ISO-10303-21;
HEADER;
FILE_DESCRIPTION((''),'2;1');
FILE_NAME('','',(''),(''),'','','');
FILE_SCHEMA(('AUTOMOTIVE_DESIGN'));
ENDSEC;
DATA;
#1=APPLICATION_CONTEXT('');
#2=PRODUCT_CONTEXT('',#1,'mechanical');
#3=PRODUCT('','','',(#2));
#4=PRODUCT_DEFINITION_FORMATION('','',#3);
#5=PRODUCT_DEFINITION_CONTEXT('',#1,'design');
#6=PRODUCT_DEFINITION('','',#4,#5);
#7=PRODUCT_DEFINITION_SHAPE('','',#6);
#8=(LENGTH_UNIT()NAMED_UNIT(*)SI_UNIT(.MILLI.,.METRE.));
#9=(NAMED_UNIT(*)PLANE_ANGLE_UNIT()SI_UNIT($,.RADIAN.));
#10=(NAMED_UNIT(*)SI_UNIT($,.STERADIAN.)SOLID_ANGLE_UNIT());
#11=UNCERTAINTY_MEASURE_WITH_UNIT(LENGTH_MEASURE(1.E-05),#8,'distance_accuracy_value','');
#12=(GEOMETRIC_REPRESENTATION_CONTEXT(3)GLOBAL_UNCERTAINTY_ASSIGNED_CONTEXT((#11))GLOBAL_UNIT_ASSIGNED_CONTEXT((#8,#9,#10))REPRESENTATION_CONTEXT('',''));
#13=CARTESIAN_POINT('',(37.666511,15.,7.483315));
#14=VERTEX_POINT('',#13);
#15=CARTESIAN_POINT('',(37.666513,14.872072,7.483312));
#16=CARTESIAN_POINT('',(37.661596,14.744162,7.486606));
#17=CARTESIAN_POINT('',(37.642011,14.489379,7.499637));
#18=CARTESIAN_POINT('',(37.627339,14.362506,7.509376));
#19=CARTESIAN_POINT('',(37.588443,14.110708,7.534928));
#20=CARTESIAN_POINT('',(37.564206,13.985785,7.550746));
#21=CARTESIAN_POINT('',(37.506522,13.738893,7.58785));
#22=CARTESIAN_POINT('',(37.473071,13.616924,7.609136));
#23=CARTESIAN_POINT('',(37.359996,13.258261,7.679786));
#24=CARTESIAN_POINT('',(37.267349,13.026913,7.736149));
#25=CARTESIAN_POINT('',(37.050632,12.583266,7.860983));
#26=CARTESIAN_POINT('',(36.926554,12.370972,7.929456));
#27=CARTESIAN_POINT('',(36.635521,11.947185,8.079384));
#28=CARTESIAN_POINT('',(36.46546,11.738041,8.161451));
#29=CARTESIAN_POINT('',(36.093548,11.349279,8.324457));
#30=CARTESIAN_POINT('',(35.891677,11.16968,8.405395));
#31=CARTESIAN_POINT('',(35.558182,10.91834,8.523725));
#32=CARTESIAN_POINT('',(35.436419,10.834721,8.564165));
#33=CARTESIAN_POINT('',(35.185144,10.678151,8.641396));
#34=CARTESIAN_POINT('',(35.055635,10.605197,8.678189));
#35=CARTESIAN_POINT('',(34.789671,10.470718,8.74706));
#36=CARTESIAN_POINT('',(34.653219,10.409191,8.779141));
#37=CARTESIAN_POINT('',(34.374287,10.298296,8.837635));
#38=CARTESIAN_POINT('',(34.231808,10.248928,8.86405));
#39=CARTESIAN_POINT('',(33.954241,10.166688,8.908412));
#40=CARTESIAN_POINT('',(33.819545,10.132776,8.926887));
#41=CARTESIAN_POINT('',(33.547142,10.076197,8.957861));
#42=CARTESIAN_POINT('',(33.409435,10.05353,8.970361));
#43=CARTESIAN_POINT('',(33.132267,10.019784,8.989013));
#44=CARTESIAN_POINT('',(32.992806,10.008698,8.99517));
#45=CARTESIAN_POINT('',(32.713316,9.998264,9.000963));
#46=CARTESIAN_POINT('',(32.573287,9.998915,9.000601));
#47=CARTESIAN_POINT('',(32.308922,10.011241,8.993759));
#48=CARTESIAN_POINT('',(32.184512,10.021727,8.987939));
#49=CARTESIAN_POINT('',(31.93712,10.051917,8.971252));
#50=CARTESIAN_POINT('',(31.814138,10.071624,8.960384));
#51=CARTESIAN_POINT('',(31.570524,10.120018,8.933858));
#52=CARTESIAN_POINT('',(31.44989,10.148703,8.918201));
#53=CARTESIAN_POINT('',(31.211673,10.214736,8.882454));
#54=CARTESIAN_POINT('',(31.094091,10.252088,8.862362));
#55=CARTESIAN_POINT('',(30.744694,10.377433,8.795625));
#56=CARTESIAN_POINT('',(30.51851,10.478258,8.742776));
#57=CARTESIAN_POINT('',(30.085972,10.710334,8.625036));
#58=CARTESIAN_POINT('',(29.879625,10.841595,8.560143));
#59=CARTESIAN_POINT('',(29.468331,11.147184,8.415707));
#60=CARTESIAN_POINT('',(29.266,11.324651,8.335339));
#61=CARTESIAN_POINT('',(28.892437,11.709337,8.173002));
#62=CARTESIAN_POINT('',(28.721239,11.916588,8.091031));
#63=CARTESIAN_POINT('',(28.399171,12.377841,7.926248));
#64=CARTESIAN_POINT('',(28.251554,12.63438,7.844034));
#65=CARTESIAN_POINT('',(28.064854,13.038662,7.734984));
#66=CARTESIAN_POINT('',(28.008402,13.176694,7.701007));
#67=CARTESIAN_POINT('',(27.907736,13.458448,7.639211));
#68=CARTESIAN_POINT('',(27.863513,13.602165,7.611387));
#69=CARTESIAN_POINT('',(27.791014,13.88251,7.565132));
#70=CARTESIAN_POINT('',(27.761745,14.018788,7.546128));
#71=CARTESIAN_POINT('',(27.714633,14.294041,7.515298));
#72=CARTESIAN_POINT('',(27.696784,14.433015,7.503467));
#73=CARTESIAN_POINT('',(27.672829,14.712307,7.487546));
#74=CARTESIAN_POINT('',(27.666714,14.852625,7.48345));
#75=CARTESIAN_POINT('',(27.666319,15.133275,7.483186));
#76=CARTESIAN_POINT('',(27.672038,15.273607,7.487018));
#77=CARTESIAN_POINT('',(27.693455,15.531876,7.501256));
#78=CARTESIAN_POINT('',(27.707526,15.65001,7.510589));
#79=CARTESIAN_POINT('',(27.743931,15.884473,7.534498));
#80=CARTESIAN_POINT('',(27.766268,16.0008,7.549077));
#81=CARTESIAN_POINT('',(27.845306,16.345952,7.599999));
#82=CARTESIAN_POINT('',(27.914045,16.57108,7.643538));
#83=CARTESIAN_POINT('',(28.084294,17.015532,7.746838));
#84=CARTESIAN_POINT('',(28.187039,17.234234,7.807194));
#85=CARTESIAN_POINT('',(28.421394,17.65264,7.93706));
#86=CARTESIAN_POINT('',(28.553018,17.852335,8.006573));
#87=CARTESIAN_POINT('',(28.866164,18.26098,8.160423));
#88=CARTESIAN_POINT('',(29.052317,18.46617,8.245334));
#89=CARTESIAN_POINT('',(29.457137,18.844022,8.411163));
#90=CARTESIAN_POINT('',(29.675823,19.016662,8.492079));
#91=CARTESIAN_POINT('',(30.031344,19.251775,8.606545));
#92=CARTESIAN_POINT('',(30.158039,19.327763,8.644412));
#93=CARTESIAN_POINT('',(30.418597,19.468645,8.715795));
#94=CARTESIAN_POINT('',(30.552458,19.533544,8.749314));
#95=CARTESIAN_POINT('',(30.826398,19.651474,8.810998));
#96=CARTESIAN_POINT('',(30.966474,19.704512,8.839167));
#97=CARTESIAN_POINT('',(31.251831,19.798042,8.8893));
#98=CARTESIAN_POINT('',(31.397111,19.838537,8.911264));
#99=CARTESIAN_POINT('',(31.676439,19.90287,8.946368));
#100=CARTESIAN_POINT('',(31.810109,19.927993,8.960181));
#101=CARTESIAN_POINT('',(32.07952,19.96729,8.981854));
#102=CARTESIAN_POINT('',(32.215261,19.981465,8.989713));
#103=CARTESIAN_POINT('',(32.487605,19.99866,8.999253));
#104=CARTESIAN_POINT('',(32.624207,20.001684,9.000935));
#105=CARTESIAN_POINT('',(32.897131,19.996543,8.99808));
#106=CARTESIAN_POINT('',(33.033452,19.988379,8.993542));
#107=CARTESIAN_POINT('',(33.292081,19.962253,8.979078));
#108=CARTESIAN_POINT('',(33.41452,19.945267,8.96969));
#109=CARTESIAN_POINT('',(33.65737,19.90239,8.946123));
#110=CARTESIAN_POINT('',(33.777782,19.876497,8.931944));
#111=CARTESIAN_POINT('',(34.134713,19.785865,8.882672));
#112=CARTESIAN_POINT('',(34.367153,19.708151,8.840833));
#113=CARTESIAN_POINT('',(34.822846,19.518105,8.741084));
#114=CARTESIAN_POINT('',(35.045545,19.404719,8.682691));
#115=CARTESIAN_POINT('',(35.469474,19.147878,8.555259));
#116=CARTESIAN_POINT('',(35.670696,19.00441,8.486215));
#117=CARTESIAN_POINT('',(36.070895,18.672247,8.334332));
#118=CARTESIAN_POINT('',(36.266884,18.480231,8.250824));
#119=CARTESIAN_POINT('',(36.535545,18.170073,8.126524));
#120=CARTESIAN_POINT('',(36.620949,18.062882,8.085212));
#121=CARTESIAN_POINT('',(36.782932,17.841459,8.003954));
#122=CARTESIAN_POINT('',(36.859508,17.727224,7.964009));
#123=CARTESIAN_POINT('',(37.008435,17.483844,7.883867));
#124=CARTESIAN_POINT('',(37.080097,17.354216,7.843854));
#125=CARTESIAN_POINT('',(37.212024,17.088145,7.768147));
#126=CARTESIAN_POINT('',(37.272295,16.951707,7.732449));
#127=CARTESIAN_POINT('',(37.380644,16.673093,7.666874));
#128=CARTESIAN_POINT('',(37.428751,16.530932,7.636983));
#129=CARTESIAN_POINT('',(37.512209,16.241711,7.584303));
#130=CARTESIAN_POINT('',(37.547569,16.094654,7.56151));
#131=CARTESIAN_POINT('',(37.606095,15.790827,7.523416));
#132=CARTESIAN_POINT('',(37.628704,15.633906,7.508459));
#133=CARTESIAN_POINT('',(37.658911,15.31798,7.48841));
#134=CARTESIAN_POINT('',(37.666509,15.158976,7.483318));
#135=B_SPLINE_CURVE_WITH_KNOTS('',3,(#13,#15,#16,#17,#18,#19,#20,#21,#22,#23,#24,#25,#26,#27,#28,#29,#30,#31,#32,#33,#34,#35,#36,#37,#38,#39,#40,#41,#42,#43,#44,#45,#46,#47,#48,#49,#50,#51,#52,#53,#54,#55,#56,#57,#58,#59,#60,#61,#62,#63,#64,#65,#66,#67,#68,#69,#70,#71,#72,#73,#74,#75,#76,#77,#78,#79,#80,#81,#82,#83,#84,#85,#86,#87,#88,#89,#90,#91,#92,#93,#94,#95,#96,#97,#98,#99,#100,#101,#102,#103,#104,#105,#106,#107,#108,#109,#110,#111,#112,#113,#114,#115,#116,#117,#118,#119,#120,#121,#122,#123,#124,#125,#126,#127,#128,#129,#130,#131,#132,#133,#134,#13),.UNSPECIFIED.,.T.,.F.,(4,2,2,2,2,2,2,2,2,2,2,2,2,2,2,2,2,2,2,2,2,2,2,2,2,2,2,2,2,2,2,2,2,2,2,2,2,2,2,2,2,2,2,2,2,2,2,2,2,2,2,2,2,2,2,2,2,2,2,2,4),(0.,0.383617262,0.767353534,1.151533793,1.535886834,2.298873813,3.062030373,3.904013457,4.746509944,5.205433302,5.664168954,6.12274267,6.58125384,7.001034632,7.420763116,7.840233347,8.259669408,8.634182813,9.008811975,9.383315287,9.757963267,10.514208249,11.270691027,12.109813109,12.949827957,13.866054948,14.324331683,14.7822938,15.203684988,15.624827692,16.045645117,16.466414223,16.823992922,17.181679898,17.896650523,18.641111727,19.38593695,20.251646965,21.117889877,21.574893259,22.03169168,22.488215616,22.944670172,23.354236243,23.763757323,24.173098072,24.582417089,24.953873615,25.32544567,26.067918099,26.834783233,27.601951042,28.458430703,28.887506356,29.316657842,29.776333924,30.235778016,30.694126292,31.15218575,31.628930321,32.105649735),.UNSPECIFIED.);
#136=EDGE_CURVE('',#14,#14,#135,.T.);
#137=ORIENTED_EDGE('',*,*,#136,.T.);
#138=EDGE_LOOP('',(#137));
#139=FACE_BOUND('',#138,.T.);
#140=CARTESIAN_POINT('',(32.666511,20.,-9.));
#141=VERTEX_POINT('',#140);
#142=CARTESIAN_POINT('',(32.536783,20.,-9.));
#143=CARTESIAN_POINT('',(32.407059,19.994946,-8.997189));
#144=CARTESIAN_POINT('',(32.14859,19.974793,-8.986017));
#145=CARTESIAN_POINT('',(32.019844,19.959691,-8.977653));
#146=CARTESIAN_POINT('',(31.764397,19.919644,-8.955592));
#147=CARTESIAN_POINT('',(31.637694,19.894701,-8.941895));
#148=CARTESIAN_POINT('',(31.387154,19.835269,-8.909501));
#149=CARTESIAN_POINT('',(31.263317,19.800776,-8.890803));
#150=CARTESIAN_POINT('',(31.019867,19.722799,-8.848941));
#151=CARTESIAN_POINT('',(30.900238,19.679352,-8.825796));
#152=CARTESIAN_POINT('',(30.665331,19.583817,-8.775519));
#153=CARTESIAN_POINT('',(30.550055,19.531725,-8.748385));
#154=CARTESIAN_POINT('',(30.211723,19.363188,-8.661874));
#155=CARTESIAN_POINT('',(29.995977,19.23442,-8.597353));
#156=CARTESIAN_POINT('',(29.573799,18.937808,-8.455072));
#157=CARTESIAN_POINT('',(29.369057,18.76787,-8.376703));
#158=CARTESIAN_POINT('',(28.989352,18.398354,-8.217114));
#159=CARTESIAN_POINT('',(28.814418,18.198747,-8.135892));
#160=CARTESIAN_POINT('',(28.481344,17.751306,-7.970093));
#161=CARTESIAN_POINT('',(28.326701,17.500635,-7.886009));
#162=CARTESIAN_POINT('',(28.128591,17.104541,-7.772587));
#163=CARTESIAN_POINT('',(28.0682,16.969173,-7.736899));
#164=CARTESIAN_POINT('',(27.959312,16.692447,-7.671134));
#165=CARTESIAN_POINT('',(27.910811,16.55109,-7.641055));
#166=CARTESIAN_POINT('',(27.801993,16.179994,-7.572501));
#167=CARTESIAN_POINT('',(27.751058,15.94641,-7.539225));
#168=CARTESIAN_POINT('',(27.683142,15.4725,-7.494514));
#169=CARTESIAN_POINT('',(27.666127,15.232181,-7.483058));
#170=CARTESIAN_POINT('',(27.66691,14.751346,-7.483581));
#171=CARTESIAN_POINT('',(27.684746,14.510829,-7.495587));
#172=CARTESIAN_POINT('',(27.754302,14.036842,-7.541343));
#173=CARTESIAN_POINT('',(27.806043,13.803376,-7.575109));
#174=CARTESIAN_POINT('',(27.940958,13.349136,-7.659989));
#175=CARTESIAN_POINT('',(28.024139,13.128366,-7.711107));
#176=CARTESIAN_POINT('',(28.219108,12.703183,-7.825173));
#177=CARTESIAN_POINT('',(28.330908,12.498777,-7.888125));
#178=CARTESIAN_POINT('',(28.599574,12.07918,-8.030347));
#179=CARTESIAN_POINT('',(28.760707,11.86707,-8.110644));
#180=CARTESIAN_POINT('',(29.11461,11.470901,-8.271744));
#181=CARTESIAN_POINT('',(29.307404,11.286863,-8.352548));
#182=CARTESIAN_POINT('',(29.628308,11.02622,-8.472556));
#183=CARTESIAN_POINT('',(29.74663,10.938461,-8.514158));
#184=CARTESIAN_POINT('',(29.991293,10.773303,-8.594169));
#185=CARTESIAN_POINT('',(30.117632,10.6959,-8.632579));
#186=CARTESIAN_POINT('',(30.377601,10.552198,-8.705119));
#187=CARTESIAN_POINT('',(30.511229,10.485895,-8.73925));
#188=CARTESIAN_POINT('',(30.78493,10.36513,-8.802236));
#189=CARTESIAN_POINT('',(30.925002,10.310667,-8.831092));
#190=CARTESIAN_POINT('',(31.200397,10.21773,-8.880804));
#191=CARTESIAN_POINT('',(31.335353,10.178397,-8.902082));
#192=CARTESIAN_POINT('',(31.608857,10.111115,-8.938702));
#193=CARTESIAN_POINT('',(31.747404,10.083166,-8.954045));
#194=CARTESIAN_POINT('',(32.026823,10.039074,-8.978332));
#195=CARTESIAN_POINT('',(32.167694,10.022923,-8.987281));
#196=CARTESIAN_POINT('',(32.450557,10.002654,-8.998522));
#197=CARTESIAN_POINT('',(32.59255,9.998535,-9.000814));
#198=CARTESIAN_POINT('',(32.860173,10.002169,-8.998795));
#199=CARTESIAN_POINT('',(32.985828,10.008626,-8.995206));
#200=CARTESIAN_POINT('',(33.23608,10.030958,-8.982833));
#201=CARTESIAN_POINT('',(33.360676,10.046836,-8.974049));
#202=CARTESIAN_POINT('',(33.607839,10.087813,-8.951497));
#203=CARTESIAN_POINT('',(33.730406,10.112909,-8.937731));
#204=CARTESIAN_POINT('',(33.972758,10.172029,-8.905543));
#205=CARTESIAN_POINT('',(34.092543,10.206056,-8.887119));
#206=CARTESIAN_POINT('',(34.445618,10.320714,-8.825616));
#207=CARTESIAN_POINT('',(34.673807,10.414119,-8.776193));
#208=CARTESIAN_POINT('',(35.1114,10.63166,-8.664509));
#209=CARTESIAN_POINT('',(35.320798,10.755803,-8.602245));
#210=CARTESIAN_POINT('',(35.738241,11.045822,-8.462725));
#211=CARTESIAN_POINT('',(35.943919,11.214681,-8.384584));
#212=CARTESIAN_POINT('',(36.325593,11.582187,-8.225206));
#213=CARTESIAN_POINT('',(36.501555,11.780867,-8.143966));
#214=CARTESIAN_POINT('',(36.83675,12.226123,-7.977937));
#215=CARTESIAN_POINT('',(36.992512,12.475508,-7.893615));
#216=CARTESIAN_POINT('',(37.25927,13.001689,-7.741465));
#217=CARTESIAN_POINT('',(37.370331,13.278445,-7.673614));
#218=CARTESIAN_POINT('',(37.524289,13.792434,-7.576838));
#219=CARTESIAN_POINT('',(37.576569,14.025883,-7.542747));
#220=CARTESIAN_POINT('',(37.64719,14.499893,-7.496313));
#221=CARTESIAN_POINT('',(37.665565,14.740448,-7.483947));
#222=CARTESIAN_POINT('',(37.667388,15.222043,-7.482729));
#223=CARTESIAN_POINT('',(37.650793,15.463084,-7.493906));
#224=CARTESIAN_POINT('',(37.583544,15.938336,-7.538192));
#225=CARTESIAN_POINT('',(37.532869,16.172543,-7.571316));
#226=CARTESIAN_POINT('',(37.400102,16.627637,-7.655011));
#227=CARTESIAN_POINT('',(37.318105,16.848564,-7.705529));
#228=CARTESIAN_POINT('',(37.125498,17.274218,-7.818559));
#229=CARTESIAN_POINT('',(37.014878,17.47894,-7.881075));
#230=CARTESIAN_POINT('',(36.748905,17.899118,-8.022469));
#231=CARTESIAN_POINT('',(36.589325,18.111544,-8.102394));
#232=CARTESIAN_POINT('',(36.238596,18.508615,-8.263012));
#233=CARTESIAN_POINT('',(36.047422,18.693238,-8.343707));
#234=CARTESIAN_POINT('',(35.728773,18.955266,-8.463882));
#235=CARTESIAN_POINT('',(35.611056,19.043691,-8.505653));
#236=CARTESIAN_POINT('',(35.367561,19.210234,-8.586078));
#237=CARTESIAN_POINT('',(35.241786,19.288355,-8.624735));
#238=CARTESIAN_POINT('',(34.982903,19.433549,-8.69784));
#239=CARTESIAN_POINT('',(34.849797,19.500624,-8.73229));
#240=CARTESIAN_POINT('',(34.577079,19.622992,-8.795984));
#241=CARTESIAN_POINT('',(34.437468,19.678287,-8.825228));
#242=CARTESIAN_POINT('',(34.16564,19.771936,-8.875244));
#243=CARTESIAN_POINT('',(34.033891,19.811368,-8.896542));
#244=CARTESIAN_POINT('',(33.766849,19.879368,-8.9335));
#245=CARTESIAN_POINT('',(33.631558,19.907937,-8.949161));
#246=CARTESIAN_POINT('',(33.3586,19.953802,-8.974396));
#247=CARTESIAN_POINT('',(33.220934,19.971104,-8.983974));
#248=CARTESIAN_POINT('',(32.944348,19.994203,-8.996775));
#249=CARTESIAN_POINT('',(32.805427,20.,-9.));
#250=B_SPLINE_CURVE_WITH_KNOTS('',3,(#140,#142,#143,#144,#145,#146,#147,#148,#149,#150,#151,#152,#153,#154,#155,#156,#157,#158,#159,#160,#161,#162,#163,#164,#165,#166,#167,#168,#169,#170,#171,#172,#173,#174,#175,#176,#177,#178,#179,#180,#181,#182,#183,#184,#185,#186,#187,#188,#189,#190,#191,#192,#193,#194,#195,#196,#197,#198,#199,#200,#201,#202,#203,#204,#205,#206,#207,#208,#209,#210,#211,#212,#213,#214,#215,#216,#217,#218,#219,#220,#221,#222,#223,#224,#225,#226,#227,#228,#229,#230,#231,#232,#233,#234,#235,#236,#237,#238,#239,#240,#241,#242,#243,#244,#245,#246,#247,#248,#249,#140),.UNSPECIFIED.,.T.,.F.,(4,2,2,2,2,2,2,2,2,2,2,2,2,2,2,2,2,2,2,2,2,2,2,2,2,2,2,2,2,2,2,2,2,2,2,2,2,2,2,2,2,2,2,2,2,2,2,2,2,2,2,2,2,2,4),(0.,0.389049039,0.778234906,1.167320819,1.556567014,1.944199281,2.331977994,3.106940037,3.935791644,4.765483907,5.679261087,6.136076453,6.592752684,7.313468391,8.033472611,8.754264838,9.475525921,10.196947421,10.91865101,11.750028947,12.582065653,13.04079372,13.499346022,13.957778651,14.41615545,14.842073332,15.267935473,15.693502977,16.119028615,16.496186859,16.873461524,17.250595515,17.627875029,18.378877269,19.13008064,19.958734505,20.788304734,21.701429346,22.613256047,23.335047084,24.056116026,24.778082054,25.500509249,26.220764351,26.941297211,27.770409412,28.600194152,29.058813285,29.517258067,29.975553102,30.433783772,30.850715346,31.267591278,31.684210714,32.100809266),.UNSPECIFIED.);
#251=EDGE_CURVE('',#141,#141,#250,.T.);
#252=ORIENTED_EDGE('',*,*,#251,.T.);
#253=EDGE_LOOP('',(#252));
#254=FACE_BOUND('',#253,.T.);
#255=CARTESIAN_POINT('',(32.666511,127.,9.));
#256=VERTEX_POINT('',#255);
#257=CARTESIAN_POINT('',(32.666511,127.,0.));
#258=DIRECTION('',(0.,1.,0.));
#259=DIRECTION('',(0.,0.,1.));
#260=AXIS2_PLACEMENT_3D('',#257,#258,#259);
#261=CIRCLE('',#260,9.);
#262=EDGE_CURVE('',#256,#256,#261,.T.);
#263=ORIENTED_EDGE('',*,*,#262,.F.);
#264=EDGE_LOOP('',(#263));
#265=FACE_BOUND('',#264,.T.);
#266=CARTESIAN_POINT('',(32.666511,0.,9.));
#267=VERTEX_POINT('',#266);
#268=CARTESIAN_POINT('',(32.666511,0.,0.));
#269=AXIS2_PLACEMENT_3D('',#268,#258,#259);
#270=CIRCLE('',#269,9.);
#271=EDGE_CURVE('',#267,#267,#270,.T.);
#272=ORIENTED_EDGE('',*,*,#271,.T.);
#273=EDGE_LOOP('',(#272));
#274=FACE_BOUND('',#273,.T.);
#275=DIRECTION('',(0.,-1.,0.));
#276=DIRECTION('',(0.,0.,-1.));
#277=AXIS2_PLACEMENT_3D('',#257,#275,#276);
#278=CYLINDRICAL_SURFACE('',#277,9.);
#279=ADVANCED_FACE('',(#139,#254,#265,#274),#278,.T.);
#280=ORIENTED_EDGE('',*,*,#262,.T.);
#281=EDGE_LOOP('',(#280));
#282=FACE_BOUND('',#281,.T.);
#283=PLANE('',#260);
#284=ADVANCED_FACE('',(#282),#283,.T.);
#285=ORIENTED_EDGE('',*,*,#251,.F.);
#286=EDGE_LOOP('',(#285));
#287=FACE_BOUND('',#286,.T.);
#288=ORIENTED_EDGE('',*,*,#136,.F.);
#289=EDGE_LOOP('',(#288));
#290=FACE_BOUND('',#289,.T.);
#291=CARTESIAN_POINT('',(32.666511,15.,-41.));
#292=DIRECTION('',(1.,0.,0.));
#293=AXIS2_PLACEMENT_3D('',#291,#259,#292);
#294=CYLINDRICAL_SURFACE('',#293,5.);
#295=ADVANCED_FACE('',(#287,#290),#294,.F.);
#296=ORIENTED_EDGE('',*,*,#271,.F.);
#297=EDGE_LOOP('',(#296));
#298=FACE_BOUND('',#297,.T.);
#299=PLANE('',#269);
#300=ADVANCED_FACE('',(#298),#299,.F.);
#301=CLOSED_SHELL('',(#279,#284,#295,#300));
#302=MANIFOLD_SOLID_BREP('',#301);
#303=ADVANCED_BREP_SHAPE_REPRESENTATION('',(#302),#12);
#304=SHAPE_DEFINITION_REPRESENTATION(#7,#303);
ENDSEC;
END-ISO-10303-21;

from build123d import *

# Parameters (mm, degrees)
SKETCH5_R           = 9
BOSS_EXTRUDE2_DEPTH = 127
SKETCH7_R           = 5
CUT_EXTRUDE2_DEPTH  = 50


with BuildPart() as part:
    # Sketch5 → Boss-Extrude2 (new body)
    with BuildSketch(Plane(origin=(0, 0, 0), x_dir=(1, 0, 0), z_dir=(0, 1, 0))):
        with Locations(Location((32.666511495, 0, 0), (0, 0, 270))):
            Circle(SKETCH5_R)
    extrude(amount=BOSS_EXTRUDE2_DEPTH)

    # Sketch7 → Cut-Extrude2 (cut)
    with BuildSketch(Plane.XY.offset(9)):
        with Locations(Location((32.666511495, 15, 0), (0, 0, 89.999999967))):
            Circle(SKETCH7_R)
    extrude(amount=-CUT_EXTRUDE2_DEPTH, mode=Mode.SUBTRACT)


solid = part.part
